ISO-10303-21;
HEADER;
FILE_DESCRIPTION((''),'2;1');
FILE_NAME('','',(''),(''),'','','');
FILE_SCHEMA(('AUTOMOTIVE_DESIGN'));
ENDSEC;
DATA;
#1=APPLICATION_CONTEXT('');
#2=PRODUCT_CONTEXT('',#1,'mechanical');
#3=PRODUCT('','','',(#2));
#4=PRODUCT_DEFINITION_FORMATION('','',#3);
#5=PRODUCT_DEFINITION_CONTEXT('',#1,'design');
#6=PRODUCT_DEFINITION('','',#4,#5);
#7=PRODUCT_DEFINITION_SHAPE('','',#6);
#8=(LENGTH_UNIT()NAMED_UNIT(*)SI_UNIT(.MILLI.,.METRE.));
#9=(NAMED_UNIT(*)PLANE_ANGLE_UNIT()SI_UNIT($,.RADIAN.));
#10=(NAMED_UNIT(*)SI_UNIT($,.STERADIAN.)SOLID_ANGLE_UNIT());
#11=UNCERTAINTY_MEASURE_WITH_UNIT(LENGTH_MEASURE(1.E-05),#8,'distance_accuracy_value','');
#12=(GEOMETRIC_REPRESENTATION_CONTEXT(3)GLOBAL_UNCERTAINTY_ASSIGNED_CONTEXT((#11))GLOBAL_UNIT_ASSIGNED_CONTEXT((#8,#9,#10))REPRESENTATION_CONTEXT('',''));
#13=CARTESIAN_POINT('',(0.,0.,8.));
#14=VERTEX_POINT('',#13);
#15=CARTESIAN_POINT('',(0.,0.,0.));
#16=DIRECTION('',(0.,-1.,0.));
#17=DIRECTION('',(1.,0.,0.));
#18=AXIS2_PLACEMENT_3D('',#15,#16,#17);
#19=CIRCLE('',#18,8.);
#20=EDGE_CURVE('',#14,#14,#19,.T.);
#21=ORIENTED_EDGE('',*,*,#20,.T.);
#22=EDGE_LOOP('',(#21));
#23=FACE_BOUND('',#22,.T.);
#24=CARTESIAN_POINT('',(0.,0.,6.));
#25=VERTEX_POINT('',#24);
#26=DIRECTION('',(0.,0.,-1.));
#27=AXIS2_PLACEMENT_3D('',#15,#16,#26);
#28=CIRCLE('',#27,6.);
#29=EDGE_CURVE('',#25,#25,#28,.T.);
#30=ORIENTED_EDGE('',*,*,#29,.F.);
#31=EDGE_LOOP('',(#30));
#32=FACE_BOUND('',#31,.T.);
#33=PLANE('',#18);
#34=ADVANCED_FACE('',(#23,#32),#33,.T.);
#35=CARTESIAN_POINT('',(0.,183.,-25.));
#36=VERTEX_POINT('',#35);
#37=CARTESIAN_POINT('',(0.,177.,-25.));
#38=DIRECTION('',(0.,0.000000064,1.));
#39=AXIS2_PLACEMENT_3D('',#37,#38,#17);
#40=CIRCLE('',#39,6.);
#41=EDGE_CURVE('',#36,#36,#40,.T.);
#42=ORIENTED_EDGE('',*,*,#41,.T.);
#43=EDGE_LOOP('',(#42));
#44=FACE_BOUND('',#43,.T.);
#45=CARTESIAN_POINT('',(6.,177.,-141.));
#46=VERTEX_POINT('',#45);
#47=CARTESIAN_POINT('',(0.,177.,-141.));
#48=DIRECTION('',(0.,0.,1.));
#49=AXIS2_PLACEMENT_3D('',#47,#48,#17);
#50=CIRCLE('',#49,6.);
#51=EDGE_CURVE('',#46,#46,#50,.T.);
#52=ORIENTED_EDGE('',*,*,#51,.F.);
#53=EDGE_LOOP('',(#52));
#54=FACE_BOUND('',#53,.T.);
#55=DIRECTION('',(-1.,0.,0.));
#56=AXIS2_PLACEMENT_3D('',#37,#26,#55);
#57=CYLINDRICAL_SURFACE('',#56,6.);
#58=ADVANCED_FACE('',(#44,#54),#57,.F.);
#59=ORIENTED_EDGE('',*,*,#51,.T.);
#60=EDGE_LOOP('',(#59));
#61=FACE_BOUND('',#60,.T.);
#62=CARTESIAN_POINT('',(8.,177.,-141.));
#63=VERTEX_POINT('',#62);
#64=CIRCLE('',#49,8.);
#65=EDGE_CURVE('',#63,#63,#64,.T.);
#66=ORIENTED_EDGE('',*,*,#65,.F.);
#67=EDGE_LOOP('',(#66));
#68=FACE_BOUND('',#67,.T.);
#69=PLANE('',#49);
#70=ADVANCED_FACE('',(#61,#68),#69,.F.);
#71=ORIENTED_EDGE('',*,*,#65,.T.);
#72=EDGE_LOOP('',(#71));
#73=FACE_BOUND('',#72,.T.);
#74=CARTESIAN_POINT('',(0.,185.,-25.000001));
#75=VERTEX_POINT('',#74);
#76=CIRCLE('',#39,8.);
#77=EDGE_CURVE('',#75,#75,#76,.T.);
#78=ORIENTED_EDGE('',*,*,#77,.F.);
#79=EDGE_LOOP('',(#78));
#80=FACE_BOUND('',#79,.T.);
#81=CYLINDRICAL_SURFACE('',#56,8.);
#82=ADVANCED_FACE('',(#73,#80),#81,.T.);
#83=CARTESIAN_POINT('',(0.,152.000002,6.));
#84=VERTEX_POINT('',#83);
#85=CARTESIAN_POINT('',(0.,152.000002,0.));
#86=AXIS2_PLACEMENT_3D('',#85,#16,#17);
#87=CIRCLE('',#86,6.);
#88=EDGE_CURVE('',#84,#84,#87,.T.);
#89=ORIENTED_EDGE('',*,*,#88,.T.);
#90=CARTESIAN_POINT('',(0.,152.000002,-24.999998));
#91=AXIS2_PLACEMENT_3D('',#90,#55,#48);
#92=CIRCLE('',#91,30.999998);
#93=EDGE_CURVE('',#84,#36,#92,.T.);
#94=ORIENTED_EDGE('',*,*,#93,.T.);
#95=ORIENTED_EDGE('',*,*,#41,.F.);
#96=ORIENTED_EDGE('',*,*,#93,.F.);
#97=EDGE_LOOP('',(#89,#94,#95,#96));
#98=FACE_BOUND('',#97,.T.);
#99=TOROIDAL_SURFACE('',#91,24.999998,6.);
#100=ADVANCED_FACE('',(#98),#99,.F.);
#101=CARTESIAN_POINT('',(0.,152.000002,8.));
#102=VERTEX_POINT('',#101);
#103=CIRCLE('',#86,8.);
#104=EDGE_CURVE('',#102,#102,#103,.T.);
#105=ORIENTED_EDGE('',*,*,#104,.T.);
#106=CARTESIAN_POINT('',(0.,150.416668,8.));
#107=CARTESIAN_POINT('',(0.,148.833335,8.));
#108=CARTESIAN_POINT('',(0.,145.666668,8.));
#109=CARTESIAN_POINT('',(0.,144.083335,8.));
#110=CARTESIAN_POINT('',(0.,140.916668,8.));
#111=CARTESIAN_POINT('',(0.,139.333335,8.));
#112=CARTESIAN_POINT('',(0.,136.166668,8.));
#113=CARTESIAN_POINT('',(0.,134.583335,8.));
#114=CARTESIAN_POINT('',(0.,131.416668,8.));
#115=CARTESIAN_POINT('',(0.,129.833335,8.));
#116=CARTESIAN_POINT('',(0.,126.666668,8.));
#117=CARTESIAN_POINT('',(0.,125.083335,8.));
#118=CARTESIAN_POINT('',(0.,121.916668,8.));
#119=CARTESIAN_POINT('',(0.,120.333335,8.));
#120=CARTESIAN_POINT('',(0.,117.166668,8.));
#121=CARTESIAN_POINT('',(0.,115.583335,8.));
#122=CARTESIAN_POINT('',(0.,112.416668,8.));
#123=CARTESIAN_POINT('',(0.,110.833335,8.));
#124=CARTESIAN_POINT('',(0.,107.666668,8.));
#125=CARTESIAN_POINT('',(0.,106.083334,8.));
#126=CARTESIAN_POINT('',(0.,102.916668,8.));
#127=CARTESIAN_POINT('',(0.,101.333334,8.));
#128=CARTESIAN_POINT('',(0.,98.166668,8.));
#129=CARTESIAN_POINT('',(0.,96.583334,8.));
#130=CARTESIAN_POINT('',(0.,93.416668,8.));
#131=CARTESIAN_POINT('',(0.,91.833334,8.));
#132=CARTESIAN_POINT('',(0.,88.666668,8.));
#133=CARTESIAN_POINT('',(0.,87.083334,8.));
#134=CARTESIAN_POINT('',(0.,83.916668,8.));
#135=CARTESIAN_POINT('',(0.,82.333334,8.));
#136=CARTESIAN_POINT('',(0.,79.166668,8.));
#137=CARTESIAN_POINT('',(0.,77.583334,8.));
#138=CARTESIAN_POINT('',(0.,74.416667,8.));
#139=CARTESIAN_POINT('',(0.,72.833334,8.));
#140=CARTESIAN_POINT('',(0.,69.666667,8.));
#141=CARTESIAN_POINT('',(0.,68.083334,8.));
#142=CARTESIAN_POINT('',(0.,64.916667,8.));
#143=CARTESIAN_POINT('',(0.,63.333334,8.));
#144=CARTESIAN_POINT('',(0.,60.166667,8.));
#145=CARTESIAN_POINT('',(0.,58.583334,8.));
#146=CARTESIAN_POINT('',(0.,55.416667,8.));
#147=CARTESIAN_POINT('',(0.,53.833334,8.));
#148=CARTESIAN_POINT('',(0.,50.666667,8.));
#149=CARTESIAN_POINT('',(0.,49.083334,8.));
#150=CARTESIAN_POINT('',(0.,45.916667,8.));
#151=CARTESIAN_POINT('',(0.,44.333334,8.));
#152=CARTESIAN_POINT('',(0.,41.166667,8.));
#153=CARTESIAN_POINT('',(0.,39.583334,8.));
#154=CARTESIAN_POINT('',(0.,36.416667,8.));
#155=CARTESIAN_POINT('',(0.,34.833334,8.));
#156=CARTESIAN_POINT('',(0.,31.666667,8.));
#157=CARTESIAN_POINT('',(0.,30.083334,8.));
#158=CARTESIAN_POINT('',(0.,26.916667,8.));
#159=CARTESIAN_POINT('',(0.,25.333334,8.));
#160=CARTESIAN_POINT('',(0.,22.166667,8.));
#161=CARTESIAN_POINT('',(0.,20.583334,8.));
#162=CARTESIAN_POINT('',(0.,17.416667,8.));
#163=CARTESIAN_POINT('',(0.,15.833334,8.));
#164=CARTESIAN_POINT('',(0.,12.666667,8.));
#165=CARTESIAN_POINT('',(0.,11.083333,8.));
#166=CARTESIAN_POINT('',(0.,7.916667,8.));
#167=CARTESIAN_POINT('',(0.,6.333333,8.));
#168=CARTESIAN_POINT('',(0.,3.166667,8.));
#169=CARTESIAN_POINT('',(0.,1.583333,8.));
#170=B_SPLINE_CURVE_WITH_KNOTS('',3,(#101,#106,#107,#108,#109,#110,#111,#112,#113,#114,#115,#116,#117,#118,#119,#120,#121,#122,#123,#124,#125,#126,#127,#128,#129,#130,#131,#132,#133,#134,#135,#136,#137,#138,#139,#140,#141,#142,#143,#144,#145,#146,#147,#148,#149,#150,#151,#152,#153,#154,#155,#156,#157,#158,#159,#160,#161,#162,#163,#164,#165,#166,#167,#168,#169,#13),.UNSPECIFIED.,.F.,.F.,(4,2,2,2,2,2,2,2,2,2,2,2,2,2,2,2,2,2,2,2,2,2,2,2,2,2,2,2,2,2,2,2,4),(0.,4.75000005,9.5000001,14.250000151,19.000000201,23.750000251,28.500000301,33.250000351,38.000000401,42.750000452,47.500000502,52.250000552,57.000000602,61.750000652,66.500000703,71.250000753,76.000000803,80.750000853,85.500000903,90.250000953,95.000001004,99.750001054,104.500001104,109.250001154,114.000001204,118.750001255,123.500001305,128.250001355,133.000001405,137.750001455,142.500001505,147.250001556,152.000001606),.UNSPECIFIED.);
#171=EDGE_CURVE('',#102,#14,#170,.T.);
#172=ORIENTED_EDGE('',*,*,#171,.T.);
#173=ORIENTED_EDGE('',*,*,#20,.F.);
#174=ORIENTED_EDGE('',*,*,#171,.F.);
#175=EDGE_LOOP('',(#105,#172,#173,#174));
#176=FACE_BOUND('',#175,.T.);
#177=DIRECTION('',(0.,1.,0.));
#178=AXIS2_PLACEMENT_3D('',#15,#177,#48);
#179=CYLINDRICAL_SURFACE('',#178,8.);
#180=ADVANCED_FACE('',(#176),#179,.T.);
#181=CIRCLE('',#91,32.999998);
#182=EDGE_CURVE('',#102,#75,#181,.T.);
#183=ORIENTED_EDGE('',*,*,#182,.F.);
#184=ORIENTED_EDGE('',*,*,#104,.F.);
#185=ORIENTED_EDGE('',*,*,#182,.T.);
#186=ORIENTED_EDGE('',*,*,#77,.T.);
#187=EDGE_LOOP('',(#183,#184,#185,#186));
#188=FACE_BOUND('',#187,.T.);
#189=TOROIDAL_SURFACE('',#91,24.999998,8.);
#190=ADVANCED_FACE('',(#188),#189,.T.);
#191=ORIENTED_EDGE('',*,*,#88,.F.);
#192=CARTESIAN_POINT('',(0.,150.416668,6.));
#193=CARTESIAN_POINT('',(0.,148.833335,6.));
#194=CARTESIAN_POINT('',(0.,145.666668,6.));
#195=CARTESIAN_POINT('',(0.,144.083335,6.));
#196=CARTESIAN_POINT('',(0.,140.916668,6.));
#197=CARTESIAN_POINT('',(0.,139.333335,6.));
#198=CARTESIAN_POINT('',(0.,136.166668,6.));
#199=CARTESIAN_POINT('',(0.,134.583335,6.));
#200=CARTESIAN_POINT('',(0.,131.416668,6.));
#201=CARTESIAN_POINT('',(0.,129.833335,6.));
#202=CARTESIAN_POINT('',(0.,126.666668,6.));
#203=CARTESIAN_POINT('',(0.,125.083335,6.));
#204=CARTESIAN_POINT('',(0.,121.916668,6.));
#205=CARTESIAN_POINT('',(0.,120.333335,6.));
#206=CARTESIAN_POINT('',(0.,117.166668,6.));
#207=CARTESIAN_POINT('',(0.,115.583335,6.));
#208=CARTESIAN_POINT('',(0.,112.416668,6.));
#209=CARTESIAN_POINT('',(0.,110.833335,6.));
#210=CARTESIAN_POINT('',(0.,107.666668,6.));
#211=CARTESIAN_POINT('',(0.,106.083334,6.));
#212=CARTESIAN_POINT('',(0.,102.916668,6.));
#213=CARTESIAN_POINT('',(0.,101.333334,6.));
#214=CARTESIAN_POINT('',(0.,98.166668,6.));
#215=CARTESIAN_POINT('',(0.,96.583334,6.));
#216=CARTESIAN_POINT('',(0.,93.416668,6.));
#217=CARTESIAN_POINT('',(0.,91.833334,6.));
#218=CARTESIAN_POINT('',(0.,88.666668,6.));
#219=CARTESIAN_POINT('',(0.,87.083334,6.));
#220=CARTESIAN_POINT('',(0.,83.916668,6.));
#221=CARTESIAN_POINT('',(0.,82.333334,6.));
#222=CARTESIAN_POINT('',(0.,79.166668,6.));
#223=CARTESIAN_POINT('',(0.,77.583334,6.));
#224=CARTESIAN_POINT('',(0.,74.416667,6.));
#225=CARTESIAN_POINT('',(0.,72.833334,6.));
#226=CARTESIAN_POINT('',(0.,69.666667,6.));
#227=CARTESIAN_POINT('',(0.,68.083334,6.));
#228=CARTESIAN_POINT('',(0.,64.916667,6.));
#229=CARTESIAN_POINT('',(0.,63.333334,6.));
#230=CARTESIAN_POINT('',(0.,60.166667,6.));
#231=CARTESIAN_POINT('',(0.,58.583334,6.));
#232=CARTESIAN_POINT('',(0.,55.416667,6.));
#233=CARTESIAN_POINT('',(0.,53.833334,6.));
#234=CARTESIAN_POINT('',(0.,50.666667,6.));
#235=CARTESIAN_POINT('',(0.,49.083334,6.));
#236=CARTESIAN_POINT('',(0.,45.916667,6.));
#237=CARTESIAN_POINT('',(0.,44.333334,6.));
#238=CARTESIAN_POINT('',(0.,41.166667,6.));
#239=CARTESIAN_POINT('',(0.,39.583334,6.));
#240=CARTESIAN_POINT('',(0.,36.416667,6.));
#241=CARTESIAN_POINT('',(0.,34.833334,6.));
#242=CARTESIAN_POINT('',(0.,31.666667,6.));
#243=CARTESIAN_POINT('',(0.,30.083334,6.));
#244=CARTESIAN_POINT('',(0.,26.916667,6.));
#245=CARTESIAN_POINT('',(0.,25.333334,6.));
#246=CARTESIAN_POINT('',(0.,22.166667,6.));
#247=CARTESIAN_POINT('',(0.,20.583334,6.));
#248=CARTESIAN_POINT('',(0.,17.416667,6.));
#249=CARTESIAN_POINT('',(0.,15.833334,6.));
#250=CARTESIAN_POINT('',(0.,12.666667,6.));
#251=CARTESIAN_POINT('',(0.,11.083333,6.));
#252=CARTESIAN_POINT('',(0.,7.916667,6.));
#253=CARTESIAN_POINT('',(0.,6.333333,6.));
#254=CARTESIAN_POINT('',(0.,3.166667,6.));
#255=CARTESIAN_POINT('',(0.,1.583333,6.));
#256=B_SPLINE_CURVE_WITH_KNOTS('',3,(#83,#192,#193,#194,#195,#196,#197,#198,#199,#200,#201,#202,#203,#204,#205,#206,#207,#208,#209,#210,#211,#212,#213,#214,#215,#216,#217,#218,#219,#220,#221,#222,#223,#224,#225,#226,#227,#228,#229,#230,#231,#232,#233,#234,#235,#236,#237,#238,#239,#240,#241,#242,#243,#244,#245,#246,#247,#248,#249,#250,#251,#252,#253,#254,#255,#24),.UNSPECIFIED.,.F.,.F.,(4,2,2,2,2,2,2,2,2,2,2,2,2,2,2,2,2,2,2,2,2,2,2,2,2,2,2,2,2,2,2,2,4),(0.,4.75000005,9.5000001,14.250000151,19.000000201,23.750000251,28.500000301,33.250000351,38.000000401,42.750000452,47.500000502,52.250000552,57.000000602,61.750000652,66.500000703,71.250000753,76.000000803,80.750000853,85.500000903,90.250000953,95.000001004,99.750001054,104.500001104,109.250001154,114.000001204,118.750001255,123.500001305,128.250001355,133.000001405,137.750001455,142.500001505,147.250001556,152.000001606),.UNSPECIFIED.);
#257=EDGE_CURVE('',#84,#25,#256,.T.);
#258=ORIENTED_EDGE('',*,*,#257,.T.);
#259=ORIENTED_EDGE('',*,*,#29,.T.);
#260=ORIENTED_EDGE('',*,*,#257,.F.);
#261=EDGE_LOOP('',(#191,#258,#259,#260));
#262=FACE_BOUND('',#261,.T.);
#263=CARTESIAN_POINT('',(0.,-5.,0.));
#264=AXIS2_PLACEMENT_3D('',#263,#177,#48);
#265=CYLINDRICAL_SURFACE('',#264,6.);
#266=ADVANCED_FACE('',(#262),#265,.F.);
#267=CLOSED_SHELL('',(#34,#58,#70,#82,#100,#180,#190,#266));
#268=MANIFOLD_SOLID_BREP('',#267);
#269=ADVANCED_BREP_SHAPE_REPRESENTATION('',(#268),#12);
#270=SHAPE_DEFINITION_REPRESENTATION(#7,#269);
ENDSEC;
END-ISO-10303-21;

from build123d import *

# Parameters (mm, degrees)
SWEEP1_PROFILE_R                           = 8
HOLLOW_TUBE_OD_AND_WALL_PROVISIONAL_PROF_R = 6


with BuildPart() as part:
    # Sweep1: sweep along a curve in space
    with BuildLine() as sweep1_path:
        Line((0, 0, 0), (0, 152.000001606, 0))
        ThreePointArc((0, 152.000001606, 0), (0, 169.677670568, -7.322330568), (0, 177, -25))
        Line((0, 177, -25), (0, 177, -141))
    # Sweep1 profile (on start of the path) → Sweep1 (sweep)
    with BuildSketch(Plane.ZX):
        Circle(SWEEP1_PROFILE_R)
    sweep(path=sweep1_path.line)

    # Hollow_tube_OD_and_wall_PROVISIONAL: sweep along a curve in space
    with BuildLine() as hollow_tube_od_and_wall_provisional_path:
        Line((0, 0, 0), (0, 152.000001606, 0))
        ThreePointArc((0, 152.000001606, 0), (0, 169.677670568, -7.322330568), (0, 177, -25))
        Line((0, 177, -25), (0, 177, -141))
    # Hollow_tube_OD_and_wall_PROVISIONAL prof (on start of the path) → Hollow_tube_OD_and_wall_PROVISIONAL (sweep, cut)
    with BuildSketch(Plane.ZX):
        Circle(HOLLOW_TUBE_OD_AND_WALL_PROVISIONAL_PROF_R)
    sweep(path=hollow_tube_od_and_wall_provisional_path.line, mode=Mode.SUBTRACT)


solid = part.part
